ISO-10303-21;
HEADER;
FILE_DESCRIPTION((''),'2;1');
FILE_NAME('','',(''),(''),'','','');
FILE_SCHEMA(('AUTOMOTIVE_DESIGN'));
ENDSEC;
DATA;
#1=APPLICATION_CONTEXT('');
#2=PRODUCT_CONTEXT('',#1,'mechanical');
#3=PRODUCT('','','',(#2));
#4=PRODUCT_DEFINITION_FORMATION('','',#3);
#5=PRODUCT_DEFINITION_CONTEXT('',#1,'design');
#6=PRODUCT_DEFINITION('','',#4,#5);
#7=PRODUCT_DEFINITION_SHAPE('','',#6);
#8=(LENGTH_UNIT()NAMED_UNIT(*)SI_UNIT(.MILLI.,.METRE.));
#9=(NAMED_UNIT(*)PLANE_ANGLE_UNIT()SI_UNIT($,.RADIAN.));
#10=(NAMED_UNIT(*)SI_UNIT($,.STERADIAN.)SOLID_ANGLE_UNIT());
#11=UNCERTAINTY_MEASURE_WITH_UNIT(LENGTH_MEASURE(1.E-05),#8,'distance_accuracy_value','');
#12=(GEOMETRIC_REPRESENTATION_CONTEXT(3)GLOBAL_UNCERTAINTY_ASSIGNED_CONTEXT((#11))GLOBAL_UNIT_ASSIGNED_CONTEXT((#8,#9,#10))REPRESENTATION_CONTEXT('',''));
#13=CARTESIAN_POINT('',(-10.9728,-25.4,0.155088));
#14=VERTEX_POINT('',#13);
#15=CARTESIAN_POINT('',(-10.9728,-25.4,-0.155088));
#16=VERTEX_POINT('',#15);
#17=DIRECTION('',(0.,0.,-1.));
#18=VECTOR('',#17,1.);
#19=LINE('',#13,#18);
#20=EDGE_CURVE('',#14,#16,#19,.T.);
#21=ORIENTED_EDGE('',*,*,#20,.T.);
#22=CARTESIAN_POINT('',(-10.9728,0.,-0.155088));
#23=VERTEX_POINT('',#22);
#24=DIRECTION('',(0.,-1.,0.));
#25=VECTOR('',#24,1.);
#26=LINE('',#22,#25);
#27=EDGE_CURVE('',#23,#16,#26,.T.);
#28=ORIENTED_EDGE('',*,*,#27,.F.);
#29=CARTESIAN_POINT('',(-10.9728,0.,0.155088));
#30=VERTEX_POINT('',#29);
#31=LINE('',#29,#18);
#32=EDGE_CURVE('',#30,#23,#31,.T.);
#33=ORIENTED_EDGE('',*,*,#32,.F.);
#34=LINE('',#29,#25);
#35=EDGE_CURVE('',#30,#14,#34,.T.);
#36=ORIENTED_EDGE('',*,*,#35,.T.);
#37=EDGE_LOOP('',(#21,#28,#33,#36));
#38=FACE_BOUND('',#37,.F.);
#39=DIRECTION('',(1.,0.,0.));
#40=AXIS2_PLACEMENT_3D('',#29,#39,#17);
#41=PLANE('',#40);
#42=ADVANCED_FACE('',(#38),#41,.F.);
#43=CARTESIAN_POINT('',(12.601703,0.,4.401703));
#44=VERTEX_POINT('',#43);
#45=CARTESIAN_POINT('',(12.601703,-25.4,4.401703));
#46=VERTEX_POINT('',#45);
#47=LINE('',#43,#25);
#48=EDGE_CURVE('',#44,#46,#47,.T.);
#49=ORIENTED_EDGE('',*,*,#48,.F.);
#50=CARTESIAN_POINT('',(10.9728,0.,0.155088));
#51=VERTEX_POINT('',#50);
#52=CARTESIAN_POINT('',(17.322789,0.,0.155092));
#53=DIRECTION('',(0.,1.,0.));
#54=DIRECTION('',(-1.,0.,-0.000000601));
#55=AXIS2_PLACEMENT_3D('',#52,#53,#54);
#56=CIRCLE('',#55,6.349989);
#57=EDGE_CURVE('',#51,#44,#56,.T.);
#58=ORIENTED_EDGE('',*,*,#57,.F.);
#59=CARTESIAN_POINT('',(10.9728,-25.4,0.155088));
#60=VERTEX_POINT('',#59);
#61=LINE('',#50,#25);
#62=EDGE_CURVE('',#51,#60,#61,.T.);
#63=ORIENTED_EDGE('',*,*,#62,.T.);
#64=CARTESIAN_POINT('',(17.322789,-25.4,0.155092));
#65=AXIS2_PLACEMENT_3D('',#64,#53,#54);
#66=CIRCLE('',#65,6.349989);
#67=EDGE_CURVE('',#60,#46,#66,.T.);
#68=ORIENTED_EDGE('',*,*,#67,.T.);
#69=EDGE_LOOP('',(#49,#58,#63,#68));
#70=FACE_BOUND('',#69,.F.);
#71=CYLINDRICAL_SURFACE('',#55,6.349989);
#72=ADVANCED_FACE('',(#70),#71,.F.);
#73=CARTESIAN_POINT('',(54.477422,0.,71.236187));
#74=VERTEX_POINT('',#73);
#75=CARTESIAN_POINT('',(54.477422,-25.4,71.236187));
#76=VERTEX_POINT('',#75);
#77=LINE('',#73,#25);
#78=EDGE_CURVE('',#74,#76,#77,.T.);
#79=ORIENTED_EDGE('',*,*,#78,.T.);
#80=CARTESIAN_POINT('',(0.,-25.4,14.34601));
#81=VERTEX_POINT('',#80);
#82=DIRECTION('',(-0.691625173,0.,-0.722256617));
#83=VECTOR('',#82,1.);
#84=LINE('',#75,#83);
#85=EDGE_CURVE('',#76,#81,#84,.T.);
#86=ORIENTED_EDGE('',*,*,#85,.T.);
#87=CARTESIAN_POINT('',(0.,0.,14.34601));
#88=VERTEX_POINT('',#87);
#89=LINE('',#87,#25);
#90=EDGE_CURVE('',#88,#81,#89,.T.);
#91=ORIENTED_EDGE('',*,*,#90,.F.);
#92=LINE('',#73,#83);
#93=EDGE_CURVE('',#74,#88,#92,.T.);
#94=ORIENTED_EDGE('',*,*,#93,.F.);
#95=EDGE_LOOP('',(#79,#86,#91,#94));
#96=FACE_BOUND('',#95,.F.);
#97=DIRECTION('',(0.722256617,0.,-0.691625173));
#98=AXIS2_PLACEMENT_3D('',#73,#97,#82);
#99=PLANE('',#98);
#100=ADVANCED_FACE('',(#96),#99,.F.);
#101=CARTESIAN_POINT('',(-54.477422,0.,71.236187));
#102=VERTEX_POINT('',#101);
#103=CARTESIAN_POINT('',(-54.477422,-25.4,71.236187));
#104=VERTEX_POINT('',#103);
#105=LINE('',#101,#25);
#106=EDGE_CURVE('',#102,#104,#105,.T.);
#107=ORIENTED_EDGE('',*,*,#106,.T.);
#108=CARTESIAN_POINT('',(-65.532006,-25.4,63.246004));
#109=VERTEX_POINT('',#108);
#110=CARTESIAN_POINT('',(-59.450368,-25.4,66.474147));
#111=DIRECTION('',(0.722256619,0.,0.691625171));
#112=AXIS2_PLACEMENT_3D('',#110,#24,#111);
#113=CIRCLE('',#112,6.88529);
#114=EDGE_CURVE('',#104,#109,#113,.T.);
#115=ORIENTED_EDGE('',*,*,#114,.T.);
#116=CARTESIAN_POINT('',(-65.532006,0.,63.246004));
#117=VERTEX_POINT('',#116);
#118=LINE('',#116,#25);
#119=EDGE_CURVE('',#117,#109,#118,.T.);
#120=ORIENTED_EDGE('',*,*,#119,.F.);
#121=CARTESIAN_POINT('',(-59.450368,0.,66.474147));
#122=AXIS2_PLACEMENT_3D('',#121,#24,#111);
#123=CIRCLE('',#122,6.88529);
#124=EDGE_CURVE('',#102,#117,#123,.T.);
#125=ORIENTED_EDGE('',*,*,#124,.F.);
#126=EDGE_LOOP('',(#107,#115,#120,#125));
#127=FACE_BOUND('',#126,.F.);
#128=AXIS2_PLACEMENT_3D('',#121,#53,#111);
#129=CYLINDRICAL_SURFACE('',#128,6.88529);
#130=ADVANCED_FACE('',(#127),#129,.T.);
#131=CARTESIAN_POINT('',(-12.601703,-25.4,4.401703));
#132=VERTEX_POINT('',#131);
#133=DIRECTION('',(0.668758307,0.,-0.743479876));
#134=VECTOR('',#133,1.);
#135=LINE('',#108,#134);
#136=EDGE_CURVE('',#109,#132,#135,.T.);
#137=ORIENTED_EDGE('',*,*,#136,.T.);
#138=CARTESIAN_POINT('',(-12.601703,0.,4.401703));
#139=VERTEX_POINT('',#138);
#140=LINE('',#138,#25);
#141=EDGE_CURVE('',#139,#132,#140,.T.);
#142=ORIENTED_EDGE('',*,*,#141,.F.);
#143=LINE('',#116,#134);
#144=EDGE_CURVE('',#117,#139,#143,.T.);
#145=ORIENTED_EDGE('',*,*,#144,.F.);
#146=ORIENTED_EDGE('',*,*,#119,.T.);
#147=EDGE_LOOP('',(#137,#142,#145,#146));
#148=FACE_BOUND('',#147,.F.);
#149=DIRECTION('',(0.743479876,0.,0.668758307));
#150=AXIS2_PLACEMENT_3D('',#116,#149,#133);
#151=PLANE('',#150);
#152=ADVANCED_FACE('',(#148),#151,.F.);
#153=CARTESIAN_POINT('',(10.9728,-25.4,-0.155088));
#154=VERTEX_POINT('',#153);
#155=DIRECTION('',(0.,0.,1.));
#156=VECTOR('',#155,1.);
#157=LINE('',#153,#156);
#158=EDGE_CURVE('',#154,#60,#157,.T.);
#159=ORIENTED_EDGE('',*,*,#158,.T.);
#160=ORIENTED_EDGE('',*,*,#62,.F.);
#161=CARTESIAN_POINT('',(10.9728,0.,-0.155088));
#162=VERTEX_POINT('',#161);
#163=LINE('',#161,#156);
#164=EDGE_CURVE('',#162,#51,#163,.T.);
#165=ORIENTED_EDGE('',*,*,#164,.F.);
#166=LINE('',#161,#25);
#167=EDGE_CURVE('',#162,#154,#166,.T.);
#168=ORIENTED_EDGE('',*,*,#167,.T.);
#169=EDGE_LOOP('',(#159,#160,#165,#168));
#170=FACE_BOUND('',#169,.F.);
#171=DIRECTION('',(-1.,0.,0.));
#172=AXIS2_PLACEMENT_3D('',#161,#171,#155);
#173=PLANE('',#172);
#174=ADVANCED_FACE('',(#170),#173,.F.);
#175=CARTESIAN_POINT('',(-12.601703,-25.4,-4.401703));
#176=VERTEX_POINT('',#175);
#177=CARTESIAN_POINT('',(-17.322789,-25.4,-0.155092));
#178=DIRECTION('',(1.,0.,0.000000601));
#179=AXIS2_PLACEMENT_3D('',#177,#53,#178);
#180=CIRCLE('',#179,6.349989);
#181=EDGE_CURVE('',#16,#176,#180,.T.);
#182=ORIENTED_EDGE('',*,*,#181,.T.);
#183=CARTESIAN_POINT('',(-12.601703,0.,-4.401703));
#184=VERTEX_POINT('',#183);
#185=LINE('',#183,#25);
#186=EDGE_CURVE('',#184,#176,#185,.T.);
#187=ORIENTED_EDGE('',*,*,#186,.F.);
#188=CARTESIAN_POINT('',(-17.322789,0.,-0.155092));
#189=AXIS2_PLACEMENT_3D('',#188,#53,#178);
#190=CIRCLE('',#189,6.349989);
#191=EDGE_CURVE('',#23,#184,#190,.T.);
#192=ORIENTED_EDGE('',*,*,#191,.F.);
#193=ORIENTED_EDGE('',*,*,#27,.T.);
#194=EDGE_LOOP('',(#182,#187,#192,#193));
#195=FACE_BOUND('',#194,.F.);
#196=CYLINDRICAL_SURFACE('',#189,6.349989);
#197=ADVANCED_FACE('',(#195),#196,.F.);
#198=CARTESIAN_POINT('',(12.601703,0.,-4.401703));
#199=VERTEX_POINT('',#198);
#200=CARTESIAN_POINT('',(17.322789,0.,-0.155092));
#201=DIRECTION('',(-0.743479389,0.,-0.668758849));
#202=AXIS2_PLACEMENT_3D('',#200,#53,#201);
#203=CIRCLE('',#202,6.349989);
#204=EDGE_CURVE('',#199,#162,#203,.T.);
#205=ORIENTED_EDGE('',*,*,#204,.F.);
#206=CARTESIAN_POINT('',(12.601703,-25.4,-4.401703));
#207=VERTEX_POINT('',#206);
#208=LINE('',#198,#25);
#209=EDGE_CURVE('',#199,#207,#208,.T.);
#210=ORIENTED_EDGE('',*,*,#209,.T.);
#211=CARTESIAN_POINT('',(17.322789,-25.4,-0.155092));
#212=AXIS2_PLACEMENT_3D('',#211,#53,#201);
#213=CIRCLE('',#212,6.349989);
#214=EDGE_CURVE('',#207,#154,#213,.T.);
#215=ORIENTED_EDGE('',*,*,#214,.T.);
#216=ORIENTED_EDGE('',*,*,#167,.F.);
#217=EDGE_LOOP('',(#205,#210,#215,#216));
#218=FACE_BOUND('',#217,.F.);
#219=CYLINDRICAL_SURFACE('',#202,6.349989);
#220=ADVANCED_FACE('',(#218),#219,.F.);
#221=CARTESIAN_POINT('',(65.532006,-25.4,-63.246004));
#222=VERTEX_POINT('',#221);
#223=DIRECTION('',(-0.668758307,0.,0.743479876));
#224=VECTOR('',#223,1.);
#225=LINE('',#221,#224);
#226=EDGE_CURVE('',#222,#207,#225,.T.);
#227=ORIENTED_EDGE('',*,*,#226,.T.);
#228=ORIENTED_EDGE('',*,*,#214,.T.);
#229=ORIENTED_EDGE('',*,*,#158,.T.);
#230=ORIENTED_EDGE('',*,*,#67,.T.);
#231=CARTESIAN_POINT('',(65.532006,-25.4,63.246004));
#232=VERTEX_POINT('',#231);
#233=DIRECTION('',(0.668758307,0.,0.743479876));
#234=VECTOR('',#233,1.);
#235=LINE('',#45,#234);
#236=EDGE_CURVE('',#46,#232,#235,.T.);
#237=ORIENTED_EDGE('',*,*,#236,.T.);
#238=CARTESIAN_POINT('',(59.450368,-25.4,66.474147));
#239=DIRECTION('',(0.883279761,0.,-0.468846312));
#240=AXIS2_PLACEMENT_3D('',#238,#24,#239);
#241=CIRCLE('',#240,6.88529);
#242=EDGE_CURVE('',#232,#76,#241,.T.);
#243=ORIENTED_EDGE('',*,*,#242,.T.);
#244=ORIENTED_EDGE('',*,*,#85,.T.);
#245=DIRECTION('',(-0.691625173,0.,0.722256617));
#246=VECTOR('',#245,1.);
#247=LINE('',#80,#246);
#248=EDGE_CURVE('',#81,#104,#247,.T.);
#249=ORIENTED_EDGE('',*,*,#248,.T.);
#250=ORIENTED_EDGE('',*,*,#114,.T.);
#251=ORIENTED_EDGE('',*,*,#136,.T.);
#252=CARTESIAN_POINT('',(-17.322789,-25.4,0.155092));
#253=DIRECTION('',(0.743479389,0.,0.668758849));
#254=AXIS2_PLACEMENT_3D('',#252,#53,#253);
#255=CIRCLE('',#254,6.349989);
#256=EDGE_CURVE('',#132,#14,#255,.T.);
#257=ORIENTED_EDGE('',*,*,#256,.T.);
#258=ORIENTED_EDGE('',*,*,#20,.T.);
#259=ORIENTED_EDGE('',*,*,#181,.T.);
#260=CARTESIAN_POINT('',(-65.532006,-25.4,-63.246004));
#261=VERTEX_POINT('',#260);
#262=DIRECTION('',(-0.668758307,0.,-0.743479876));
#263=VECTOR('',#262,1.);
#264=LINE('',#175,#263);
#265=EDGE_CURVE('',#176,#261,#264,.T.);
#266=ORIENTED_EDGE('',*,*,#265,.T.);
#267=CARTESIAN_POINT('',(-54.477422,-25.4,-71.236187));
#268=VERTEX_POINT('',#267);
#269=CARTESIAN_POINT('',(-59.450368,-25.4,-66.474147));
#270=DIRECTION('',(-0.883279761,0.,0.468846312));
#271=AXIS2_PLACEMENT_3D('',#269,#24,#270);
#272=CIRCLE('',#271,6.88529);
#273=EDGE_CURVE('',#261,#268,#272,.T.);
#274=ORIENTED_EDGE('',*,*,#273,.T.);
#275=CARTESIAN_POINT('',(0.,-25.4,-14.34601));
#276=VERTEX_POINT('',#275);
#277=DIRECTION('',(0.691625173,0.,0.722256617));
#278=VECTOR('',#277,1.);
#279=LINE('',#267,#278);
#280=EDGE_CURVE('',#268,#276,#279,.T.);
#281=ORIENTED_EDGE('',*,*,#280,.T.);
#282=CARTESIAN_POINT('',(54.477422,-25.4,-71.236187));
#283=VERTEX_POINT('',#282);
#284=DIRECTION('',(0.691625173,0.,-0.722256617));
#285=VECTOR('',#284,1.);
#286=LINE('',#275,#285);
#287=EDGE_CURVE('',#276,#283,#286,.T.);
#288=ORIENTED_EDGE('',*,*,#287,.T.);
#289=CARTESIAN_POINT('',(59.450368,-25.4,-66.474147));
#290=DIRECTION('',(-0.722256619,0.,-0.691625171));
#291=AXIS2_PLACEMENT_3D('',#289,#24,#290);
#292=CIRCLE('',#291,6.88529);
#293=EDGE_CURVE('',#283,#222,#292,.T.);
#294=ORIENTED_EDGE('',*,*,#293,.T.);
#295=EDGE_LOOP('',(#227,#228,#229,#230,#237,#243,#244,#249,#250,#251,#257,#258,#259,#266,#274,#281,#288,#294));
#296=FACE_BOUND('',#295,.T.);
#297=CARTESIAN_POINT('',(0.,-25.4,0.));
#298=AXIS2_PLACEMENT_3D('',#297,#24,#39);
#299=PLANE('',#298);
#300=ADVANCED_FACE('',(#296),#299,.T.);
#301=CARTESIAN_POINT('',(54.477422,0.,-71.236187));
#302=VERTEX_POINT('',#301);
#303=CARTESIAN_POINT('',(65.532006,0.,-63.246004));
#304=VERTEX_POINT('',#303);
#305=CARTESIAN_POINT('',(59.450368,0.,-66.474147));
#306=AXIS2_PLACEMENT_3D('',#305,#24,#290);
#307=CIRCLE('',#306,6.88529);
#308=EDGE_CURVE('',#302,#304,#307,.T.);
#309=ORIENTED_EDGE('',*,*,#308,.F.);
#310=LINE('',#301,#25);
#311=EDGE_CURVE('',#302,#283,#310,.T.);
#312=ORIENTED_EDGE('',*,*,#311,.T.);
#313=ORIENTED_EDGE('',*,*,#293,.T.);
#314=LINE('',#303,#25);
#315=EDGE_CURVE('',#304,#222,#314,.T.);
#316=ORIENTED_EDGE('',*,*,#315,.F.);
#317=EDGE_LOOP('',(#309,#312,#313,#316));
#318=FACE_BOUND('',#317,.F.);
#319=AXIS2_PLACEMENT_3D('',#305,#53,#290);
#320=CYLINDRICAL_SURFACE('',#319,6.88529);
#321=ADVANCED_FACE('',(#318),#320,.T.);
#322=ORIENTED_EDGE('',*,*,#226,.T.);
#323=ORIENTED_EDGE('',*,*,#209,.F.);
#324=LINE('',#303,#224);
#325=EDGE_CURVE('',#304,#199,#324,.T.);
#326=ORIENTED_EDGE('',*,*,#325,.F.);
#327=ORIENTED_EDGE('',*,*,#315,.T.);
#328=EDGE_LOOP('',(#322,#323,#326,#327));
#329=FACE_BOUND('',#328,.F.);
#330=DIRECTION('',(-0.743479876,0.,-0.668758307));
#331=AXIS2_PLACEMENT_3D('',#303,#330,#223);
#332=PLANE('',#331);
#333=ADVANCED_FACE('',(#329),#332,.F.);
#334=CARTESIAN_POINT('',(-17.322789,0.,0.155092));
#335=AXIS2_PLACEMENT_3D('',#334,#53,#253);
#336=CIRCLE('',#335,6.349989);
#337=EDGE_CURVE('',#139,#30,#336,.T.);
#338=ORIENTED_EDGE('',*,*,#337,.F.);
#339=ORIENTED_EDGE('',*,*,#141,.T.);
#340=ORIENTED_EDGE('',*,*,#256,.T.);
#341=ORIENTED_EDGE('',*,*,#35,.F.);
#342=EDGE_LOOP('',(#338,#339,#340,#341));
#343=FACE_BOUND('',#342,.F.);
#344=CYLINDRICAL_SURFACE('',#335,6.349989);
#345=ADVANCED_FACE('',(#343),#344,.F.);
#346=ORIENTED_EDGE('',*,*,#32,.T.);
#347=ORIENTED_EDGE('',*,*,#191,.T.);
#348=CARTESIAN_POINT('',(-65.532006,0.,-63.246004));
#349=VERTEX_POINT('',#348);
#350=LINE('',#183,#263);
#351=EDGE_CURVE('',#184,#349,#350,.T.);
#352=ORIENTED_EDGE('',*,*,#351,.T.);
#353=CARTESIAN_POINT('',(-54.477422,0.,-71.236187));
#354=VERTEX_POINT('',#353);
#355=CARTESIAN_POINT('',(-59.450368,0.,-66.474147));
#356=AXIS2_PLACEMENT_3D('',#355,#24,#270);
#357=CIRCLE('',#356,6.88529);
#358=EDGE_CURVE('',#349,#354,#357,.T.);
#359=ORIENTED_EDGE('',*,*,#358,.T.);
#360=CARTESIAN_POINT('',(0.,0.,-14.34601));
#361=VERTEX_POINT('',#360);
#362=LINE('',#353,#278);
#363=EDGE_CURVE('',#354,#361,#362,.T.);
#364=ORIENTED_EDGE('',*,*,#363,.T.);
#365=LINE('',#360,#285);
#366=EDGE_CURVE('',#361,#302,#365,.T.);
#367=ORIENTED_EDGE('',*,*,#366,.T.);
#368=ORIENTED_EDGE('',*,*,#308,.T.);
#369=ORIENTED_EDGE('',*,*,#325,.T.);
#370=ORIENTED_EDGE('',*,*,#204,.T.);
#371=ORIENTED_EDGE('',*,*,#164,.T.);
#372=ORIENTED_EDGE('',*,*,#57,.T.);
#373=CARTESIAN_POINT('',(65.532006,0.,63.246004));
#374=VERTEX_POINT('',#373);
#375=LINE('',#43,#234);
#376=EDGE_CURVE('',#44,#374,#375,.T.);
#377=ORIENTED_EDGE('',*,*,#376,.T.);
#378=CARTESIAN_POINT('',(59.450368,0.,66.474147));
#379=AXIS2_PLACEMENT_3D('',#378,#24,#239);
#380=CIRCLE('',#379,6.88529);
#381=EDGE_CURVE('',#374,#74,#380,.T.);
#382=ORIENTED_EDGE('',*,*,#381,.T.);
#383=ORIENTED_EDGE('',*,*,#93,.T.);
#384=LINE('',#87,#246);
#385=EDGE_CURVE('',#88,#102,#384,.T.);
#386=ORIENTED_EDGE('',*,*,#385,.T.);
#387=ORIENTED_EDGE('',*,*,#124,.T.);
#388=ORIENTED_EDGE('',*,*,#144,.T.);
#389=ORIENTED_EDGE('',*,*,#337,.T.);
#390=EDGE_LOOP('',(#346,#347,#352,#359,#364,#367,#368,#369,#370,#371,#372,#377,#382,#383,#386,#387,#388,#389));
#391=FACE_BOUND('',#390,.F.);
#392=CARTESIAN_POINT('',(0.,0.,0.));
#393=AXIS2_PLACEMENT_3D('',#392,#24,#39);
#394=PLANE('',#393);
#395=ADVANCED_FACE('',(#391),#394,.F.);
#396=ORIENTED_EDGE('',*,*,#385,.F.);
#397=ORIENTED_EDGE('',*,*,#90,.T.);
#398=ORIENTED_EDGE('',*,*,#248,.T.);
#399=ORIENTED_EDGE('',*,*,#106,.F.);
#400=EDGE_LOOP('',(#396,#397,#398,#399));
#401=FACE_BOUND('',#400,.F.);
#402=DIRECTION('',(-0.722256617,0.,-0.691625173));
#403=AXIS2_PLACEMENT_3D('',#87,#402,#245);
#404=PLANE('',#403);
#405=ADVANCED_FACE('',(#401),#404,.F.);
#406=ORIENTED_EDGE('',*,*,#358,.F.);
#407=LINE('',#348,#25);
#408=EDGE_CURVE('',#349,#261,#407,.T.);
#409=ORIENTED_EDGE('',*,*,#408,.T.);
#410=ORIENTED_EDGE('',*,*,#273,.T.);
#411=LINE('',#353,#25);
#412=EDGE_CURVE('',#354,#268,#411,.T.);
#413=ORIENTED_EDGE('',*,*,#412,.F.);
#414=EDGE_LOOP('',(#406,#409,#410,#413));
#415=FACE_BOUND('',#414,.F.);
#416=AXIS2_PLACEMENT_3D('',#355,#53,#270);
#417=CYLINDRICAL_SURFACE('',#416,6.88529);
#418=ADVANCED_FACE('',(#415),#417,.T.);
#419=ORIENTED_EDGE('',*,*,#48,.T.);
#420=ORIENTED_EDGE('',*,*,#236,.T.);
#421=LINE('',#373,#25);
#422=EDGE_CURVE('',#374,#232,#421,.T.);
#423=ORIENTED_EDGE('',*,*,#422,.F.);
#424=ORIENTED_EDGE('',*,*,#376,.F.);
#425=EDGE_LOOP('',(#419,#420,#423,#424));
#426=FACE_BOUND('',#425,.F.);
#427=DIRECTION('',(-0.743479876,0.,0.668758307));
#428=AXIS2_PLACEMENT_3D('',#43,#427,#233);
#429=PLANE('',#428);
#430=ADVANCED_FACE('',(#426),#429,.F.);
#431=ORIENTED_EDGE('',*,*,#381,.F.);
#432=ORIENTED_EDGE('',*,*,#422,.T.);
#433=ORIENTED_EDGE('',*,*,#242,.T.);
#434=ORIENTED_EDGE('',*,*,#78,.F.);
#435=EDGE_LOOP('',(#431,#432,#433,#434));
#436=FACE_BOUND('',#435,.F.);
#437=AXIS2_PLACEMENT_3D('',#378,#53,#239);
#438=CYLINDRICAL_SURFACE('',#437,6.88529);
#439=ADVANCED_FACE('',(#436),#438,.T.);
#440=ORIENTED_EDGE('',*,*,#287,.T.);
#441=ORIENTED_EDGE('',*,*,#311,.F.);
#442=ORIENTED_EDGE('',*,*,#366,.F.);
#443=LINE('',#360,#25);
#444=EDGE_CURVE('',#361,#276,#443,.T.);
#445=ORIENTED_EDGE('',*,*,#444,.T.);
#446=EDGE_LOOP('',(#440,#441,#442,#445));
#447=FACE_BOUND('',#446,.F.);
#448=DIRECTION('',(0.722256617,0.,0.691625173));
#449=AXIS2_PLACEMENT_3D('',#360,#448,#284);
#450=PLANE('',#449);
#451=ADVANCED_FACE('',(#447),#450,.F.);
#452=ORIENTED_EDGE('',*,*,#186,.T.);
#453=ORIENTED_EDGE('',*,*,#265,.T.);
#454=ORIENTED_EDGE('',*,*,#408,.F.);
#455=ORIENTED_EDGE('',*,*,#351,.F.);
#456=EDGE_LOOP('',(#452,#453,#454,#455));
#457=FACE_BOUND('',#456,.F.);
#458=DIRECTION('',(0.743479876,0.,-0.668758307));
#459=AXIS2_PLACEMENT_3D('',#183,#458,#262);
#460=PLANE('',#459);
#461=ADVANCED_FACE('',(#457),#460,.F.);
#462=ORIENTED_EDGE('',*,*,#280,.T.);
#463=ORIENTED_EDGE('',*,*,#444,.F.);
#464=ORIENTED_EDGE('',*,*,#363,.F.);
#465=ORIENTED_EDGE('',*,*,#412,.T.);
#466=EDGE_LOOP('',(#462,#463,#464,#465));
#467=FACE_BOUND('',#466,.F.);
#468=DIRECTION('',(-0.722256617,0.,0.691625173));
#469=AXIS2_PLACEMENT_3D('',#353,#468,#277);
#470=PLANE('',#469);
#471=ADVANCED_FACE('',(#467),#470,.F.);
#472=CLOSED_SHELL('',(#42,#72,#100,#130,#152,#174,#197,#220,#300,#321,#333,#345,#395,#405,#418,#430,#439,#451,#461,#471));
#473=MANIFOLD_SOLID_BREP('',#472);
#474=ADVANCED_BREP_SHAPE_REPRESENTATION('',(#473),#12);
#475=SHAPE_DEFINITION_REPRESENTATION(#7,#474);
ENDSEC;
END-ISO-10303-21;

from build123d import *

# Parameters (mm, degrees)
F1_DEPTH = 25.4


with BuildPart() as f1:
    # F0 (on Front) → F1 (new body)
    with BuildSketch(Plane.XZ):
        with BuildLine():
            Line((-54.477422, -71.236187), (0, -14.34601))
            Line((0, -14.34601), (54.477422, -71.236187))
            ThreePointArc((54.477422, -71.236187), (63.483736, -72.054395), (65.532006, -63.246004))
            Line((65.532006, -63.246004), (12.601703, -4.401703))
            ThreePointArc((12.601703, -4.401703), (11.393994, -2.42924), (10.9728, -0.155088))
            Line((10.9728, -0.155088), (10.9728, 0.155088))
            ThreePointArc((10.9728, 0.155088), (11.393994, 2.42924), (12.601703, 4.401703))
            Line((12.601703, 4.401703), (65.532006, 63.246004))
            ThreePointArc((65.532006, 63.246004), (63.483736, 72.054395), (54.477422, 71.236187))
            Line((54.477422, 71.236187), (0, 14.34601))
            Line((0, 14.34601), (-54.477422, 71.236187))
            ThreePointArc((-54.477422, 71.236187), (-63.483736, 72.054395), (-65.532006, 63.246004))
            Line((-65.532006, 63.246004), (-12.601703, 4.401703))
            ThreePointArc((-12.601703, 4.401703), (-11.393994, 2.42924), (-10.9728, 0.155088))
            Line((-10.9728, 0.155088), (-10.9728, -0.155088))
            ThreePointArc((-10.9728, -0.155088), (-11.393994, -2.42924), (-12.601703, -4.401703))
            Line((-12.601703, -4.401703), (-65.532006, -63.246004))
            ThreePointArc((-65.532006, -63.246004), (-63.483736, -72.054395), (-54.477422, -71.236187))
        make_face()
    extrude(amount=F1_DEPTH)


solid = f1.part
